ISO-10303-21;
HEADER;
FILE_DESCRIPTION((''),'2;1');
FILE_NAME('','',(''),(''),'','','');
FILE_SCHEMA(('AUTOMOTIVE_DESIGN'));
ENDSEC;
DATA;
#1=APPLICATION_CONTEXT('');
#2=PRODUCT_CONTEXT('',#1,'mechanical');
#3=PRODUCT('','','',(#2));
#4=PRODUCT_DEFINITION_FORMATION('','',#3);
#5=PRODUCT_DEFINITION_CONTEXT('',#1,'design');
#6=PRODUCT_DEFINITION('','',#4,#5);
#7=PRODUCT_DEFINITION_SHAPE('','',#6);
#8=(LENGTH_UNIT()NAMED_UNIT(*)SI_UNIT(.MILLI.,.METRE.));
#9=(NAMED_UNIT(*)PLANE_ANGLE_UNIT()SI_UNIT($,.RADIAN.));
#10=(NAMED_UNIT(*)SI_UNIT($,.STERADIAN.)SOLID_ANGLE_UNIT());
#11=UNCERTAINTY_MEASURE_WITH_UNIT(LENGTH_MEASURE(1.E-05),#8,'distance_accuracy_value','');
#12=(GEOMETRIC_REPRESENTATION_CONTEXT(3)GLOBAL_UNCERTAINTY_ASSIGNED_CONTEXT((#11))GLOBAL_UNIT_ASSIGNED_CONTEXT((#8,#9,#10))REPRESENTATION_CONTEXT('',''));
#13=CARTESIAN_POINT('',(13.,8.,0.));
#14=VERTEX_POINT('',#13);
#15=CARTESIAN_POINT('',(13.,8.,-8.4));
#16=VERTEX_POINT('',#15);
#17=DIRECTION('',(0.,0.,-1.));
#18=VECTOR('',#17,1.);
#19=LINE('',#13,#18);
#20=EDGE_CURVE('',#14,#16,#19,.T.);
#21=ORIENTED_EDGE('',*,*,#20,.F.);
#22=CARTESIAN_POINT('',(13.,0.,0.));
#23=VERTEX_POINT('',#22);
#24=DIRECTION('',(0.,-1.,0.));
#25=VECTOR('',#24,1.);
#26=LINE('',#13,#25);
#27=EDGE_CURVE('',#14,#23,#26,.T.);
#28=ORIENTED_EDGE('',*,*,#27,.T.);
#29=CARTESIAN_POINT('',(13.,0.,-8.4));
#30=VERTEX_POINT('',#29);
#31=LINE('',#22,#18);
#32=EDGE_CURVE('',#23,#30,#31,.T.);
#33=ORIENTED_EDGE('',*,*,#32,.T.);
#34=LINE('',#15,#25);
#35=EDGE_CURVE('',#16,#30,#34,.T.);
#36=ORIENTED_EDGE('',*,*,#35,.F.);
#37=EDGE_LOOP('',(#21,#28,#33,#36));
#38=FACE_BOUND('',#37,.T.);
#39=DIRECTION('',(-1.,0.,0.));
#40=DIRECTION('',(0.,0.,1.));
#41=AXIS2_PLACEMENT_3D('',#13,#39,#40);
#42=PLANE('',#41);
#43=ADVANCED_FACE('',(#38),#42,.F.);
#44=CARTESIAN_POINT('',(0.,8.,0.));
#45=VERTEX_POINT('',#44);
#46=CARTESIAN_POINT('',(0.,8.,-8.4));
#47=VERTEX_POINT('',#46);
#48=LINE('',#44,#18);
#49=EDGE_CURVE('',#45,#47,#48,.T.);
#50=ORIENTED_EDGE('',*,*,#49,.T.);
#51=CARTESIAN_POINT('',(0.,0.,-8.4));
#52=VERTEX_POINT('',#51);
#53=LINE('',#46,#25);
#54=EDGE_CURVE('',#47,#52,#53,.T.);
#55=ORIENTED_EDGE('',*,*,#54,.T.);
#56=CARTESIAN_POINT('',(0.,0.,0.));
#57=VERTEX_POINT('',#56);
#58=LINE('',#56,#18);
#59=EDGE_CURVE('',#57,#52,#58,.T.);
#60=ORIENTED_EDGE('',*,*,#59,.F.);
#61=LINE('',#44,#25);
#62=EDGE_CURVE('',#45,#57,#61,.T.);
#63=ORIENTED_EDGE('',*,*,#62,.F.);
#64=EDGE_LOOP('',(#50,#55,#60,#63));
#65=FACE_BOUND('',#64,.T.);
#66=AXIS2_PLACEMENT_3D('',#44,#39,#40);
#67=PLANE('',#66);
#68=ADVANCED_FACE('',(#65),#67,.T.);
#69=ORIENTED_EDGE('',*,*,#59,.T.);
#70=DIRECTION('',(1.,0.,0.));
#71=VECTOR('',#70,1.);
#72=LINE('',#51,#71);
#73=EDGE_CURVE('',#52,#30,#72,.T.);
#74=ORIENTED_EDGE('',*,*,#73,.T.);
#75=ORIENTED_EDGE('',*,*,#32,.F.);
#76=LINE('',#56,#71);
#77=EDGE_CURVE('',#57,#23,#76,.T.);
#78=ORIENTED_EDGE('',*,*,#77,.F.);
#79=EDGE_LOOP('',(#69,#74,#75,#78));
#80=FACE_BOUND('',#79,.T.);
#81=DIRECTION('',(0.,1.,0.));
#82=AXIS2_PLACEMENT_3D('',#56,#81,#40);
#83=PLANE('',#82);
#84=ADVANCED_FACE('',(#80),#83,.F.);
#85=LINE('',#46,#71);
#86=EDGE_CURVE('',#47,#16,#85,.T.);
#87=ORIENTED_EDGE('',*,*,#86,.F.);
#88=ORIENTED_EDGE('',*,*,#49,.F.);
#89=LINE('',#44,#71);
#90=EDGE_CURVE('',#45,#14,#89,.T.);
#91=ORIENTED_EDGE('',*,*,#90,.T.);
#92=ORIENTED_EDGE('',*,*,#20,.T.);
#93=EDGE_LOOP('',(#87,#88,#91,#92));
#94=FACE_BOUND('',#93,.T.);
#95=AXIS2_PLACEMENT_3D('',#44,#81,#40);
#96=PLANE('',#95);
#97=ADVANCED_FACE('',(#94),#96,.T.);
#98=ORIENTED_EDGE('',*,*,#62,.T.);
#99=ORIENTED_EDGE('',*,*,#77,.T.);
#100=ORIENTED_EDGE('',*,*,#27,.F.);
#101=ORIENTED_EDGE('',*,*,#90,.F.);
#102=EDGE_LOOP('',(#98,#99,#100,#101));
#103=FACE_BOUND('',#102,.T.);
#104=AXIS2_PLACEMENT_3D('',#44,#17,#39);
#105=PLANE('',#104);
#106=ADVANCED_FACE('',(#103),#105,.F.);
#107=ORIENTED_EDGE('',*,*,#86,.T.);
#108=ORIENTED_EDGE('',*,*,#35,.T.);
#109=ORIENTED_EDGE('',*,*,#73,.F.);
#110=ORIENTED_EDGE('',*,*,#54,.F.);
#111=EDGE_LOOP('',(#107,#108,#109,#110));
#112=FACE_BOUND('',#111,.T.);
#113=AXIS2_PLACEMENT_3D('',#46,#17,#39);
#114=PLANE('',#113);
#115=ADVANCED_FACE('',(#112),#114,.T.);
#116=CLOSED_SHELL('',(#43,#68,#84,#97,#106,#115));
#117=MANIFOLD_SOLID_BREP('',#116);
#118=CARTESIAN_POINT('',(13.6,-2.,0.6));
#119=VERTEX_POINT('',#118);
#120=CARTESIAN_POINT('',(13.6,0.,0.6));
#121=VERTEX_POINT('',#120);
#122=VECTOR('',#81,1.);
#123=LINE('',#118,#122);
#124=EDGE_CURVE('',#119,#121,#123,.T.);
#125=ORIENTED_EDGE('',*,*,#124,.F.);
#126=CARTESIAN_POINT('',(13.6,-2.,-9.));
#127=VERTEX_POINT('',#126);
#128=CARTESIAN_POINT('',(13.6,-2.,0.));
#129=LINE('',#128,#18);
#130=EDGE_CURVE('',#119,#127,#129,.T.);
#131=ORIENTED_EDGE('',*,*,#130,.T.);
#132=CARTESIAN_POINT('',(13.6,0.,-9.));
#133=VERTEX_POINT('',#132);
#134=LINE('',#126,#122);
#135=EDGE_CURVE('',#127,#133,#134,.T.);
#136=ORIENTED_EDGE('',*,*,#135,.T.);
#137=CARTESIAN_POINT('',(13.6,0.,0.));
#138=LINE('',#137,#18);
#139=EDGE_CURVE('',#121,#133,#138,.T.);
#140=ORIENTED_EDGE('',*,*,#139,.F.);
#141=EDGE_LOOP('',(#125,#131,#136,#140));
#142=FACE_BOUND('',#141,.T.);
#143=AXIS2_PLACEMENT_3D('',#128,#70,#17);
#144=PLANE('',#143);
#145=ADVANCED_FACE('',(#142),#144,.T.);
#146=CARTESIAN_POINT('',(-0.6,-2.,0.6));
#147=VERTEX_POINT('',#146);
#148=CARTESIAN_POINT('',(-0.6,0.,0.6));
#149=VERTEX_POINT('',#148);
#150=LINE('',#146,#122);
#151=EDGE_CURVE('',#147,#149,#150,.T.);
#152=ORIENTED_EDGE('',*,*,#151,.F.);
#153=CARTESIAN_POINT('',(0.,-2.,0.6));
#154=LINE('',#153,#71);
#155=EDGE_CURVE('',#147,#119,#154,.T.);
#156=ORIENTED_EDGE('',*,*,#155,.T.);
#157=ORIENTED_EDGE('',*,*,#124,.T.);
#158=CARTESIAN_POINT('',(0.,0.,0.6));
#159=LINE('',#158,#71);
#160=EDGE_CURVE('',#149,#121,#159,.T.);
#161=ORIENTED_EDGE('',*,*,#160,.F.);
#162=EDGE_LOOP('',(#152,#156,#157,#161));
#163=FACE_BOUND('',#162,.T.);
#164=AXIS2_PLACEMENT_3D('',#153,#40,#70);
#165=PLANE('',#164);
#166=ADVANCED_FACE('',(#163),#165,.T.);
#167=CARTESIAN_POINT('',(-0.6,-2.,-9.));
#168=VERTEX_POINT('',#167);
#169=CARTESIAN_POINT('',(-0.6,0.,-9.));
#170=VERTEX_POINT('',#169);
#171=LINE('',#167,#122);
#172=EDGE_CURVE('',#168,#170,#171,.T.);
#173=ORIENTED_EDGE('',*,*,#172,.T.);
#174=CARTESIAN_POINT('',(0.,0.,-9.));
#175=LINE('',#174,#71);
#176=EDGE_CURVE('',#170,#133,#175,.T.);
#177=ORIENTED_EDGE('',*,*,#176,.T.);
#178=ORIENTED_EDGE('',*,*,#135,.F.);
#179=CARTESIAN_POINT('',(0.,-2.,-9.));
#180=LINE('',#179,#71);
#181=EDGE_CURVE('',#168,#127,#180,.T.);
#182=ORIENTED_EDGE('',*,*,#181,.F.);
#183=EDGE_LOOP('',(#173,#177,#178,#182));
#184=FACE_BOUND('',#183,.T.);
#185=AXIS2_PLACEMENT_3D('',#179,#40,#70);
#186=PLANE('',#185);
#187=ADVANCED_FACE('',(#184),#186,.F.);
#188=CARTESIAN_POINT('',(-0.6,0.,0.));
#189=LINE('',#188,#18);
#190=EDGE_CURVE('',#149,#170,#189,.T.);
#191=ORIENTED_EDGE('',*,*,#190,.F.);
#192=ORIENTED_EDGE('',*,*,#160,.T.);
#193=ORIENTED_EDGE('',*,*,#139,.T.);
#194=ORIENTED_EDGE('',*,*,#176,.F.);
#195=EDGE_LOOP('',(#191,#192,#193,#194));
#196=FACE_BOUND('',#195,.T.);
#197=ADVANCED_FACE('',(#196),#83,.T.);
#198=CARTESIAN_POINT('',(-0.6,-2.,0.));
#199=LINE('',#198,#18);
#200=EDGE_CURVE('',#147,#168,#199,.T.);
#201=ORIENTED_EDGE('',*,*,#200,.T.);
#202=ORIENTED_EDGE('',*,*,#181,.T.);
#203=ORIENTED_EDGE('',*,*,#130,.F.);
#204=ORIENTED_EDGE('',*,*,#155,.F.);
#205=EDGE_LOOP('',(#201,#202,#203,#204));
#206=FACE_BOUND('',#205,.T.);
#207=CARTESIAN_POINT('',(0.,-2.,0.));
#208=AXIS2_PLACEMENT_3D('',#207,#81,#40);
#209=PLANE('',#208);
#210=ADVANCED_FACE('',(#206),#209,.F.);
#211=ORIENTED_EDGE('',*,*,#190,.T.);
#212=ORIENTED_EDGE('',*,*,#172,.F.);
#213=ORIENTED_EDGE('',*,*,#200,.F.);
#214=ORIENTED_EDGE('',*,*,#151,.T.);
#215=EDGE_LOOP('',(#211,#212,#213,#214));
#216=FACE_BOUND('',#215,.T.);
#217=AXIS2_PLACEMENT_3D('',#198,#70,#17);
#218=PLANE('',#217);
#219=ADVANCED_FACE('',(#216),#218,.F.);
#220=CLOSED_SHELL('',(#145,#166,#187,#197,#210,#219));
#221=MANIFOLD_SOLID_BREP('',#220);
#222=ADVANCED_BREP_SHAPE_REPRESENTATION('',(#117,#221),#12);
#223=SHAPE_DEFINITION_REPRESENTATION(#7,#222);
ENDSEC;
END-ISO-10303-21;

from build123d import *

# Parameters (mm, degrees)
SKETCH_1_W      = 13
SKETCH_1_H      = 8.4
EXTRUDE_1_DEPTH = 8
SKETCH_1_3_W    = 14.2
SKETCH_1_3_H    = 9.6
EXTRUDE_2_DEPTH = 2


with BuildPart() as part:
    # 草图1 → 凸台-拉伸1 (new body)
    with BuildSketch(Plane(origin=(0, 0, 0), x_dir=(1, 0, 0), z_dir=(0, 1, 0))):
        with Locations((6.5, 4.2)):
            Rectangle(SKETCH_1_W, SKETCH_1_H)
    extrude(amount=EXTRUDE_1_DEPTH)


with BuildPart() as body_2:
    # 草图1<3> → 凸台-拉伸2 (new body)
    with BuildSketch(Plane(origin=(0, 0, 0), x_dir=(1, 0, 0), z_dir=(0, 1, 0))):
        with Locations((6.5, 4.2)):
            Rectangle(SKETCH_1_3_W, SKETCH_1_3_H)
    extrude(amount=-EXTRUDE_2_DEPTH)


solid = Compound([part.part, body_2.part])
